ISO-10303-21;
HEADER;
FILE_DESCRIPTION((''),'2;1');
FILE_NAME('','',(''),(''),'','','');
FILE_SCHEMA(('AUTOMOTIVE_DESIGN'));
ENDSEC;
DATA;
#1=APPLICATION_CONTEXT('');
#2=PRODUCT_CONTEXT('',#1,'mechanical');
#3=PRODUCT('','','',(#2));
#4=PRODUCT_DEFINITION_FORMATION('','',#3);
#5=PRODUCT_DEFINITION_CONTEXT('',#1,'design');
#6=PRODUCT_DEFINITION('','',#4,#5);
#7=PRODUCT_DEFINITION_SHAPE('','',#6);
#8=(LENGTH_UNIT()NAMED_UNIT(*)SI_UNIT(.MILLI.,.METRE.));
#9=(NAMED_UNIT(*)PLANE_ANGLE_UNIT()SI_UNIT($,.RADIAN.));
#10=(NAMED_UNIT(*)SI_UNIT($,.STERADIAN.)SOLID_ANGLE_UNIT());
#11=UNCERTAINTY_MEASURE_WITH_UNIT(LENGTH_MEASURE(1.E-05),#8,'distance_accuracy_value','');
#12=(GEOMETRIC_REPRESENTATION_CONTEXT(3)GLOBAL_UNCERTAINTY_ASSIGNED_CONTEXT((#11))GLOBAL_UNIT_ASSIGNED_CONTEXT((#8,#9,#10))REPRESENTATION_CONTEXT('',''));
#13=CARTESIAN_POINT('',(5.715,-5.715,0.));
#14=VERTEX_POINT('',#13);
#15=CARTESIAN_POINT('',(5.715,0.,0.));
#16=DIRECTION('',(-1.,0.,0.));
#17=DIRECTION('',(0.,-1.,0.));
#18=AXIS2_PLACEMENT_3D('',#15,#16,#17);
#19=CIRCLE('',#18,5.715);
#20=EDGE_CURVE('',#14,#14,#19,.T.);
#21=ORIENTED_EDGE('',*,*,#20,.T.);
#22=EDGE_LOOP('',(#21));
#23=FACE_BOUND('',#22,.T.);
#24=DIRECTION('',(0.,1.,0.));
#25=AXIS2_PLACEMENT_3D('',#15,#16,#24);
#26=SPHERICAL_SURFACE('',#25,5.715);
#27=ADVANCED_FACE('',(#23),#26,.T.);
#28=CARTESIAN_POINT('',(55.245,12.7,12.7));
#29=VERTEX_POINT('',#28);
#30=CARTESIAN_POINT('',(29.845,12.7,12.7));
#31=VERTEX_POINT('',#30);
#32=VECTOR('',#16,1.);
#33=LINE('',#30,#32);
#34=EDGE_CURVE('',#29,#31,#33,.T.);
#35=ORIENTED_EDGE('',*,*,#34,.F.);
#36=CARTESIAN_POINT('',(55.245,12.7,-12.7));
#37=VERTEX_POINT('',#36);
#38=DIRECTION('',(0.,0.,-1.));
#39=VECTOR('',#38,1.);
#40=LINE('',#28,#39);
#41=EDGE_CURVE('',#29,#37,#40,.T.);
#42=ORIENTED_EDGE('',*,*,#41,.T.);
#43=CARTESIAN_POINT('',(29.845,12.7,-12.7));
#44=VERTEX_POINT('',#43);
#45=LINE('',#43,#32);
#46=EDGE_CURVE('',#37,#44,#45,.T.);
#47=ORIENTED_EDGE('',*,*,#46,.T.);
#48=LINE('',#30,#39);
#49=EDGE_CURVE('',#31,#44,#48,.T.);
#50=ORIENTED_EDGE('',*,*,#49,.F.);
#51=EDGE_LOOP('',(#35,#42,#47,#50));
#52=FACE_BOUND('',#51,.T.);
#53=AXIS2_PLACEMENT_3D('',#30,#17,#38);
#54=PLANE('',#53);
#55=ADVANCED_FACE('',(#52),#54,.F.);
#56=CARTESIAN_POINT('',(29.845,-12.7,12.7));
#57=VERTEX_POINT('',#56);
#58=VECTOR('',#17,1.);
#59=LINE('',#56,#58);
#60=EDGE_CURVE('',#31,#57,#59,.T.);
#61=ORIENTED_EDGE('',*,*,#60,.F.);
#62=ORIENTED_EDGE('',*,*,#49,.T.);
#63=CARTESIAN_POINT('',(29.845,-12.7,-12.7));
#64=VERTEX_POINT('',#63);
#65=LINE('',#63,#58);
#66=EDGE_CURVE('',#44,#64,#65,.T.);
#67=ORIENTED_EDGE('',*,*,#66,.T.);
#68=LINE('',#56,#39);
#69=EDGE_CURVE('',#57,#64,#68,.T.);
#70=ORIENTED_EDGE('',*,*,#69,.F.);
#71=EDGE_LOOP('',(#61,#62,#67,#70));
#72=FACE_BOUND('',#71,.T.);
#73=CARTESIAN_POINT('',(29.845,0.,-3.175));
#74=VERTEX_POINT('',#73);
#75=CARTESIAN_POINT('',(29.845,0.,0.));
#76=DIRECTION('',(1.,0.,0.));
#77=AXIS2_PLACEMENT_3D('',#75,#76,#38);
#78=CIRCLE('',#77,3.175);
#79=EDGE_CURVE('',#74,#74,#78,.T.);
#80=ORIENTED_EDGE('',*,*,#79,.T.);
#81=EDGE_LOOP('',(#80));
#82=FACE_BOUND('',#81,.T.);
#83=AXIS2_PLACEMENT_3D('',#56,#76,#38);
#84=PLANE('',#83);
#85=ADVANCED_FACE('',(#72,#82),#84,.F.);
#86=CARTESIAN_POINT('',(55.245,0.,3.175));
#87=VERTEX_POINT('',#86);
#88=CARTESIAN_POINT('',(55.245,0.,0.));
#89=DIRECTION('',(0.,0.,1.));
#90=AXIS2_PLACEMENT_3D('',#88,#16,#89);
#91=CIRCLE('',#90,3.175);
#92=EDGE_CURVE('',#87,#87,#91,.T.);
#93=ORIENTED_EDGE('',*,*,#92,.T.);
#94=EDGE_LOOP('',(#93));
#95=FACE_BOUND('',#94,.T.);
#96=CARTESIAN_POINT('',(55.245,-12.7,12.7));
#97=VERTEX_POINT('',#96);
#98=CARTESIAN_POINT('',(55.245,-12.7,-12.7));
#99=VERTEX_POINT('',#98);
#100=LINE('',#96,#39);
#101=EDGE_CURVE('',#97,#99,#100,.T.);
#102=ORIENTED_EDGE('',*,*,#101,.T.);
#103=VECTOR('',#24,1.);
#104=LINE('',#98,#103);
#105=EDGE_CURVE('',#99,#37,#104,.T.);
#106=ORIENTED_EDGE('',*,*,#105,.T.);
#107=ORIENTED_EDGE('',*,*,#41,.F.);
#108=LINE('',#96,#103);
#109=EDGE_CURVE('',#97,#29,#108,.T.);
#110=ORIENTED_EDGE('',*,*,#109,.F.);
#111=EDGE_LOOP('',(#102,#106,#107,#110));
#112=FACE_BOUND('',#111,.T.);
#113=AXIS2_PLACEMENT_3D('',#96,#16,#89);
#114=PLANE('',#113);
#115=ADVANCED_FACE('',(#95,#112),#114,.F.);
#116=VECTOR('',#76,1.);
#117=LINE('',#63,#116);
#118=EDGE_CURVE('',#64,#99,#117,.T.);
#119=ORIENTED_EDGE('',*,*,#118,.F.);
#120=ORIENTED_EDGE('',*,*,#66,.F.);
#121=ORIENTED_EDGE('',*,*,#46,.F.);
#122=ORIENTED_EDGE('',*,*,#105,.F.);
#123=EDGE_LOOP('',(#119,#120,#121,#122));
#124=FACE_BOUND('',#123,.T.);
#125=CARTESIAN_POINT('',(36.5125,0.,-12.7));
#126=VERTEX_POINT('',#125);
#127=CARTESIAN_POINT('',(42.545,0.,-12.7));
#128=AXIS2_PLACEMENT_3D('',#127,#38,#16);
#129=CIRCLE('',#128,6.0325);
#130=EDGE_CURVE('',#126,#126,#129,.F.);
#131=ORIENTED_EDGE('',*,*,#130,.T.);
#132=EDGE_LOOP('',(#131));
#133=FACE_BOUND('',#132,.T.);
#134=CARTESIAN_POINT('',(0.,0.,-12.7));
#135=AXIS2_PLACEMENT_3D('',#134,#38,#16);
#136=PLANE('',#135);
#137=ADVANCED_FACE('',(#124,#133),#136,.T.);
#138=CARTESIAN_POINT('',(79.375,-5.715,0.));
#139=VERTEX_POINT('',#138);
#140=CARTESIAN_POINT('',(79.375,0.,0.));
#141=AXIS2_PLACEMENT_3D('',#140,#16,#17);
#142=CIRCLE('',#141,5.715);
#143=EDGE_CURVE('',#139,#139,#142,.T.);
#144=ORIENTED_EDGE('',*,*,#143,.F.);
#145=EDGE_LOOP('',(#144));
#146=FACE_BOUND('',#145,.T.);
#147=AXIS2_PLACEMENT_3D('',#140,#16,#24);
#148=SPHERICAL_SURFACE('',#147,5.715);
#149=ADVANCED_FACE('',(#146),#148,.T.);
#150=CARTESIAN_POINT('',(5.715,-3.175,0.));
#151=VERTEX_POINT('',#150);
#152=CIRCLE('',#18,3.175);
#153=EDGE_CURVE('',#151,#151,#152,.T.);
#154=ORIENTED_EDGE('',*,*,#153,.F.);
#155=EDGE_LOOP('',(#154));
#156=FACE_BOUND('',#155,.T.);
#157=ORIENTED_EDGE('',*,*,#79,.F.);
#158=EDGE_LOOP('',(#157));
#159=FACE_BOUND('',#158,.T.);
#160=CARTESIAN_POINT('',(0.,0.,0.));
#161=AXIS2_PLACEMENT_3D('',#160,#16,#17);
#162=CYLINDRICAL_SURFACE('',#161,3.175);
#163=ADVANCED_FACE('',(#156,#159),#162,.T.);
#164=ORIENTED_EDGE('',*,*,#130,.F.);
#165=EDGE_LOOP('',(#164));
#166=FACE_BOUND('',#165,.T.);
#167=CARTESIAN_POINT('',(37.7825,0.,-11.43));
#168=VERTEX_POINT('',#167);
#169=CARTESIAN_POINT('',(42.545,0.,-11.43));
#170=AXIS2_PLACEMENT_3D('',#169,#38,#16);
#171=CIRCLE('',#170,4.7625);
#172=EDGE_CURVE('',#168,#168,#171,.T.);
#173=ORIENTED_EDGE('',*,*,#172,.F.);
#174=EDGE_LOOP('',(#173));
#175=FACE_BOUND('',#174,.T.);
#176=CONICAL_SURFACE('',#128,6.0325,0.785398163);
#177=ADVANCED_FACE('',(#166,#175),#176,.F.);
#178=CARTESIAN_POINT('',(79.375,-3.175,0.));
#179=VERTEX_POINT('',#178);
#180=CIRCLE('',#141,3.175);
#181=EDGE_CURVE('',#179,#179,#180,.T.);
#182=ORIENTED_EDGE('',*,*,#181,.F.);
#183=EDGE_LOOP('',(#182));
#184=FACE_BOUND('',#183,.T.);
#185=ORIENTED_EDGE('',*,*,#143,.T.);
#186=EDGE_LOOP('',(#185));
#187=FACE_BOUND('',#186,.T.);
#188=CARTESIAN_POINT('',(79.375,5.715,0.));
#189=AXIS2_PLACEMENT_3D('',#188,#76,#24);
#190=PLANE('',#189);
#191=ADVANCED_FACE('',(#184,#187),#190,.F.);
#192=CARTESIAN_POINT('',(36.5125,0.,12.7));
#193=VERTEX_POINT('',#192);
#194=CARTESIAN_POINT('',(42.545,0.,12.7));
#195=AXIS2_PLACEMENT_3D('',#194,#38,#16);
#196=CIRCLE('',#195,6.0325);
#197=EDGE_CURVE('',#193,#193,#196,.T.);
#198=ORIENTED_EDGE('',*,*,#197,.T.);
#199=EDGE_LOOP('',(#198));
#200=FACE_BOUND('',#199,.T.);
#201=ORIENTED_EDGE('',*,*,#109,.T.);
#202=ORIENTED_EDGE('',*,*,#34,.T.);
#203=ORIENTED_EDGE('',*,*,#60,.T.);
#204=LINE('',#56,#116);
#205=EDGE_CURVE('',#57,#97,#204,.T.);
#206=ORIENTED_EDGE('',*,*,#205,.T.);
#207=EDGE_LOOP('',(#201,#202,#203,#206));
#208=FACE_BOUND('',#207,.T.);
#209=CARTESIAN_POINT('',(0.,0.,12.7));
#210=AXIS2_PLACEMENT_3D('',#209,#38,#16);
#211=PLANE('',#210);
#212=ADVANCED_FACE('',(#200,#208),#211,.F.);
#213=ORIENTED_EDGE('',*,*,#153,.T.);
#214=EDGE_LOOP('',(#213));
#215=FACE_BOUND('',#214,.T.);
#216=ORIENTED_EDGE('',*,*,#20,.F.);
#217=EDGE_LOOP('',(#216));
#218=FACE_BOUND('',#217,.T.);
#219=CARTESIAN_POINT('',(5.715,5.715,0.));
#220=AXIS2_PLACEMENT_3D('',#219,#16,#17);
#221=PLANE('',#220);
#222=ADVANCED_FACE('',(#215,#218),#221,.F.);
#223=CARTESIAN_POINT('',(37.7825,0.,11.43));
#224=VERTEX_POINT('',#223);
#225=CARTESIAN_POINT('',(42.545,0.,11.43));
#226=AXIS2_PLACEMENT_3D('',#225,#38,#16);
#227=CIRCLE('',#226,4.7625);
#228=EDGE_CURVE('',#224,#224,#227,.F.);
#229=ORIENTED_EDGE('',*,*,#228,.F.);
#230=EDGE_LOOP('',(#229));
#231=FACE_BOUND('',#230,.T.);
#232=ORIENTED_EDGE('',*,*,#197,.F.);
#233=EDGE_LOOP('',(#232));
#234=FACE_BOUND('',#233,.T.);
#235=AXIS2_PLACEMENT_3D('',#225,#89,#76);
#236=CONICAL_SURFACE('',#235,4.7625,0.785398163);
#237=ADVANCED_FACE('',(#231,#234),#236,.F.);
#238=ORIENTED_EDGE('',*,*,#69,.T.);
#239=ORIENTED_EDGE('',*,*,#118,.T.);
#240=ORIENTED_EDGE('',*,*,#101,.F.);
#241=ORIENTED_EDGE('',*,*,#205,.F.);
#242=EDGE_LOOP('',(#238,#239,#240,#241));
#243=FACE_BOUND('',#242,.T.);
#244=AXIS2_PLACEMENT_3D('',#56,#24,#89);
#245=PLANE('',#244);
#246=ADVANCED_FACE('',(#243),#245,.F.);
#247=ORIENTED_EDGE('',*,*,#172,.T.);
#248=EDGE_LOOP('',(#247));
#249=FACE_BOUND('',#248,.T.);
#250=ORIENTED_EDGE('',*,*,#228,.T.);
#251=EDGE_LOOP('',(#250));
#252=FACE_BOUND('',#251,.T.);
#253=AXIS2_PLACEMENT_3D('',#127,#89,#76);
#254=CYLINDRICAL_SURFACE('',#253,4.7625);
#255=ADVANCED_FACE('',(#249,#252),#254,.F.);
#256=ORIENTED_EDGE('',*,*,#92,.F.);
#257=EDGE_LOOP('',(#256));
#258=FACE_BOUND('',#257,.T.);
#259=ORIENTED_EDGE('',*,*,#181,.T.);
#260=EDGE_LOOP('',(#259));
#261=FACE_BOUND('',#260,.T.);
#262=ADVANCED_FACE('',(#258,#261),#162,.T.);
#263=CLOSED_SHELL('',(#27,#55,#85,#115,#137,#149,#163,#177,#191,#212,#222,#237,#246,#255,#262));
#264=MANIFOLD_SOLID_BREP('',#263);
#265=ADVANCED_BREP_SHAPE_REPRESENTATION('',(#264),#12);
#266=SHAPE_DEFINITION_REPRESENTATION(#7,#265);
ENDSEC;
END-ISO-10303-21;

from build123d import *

# Parameters (mm, degrees)
SKETCH2_W           = 25.4
SKETCH2_H           = 25.4
BOSS_EXTRUDE1_DEPTH = 12.7
SKETCH3_R           = 4.7625
CUT_EXTRUDE1_DEPTH  = 26.4
CHAMFER1_SIZE       = 1.27


with BuildPart() as part:
    # Sketch1 → Revolve1 (revolve)
    with BuildSketch(Plane.XY):
        with BuildLine():
            Line((5.715, 5.715), (5.715, 3.175))
            Line((5.715, 3.175), (79.375, 3.175))
            Line((79.375, 3.175), (79.375, 5.715))
            ThreePointArc((79.375, 5.715), (83.416115254, 4.041115254), (85.09, 0))
            Line((85.09, 0), (0, 0))
            ThreePointArc((0, 0), (1.673884746, 4.041115254), (5.715, 5.715))
        make_face()
    revolve(axis=Axis((0, 0, 0), (1, 0, 0)))

    # Sketch2 → Boss-Extrude1 (add, symmetric)
    with BuildSketch(Plane.XY):
        with Locations((42.545, 0)):
            Rectangle(SKETCH2_W, SKETCH2_H)
    extrude(amount=BOSS_EXTRUDE1_DEPTH, both=True)

    # Sketch3 → Cut-Extrude1 (cut, through all)
    with BuildSketch(Plane.XY.offset(12.7)):
        with Locations((42.545, 0)):
            Circle(SKETCH3_R)
    extrude(amount=-CUT_EXTRUDE1_DEPTH, mode=Mode.SUBTRACT)

    # Chamfer1
    chamfer1_edges = [part.edges().sort_by_distance(p)[0] for p in [
        (37.7825, 0, -12.7),
        (37.7825, 0, 12.7),
    ]]
    chamfer(chamfer1_edges, length=CHAMFER1_SIZE)


solid = part.part
